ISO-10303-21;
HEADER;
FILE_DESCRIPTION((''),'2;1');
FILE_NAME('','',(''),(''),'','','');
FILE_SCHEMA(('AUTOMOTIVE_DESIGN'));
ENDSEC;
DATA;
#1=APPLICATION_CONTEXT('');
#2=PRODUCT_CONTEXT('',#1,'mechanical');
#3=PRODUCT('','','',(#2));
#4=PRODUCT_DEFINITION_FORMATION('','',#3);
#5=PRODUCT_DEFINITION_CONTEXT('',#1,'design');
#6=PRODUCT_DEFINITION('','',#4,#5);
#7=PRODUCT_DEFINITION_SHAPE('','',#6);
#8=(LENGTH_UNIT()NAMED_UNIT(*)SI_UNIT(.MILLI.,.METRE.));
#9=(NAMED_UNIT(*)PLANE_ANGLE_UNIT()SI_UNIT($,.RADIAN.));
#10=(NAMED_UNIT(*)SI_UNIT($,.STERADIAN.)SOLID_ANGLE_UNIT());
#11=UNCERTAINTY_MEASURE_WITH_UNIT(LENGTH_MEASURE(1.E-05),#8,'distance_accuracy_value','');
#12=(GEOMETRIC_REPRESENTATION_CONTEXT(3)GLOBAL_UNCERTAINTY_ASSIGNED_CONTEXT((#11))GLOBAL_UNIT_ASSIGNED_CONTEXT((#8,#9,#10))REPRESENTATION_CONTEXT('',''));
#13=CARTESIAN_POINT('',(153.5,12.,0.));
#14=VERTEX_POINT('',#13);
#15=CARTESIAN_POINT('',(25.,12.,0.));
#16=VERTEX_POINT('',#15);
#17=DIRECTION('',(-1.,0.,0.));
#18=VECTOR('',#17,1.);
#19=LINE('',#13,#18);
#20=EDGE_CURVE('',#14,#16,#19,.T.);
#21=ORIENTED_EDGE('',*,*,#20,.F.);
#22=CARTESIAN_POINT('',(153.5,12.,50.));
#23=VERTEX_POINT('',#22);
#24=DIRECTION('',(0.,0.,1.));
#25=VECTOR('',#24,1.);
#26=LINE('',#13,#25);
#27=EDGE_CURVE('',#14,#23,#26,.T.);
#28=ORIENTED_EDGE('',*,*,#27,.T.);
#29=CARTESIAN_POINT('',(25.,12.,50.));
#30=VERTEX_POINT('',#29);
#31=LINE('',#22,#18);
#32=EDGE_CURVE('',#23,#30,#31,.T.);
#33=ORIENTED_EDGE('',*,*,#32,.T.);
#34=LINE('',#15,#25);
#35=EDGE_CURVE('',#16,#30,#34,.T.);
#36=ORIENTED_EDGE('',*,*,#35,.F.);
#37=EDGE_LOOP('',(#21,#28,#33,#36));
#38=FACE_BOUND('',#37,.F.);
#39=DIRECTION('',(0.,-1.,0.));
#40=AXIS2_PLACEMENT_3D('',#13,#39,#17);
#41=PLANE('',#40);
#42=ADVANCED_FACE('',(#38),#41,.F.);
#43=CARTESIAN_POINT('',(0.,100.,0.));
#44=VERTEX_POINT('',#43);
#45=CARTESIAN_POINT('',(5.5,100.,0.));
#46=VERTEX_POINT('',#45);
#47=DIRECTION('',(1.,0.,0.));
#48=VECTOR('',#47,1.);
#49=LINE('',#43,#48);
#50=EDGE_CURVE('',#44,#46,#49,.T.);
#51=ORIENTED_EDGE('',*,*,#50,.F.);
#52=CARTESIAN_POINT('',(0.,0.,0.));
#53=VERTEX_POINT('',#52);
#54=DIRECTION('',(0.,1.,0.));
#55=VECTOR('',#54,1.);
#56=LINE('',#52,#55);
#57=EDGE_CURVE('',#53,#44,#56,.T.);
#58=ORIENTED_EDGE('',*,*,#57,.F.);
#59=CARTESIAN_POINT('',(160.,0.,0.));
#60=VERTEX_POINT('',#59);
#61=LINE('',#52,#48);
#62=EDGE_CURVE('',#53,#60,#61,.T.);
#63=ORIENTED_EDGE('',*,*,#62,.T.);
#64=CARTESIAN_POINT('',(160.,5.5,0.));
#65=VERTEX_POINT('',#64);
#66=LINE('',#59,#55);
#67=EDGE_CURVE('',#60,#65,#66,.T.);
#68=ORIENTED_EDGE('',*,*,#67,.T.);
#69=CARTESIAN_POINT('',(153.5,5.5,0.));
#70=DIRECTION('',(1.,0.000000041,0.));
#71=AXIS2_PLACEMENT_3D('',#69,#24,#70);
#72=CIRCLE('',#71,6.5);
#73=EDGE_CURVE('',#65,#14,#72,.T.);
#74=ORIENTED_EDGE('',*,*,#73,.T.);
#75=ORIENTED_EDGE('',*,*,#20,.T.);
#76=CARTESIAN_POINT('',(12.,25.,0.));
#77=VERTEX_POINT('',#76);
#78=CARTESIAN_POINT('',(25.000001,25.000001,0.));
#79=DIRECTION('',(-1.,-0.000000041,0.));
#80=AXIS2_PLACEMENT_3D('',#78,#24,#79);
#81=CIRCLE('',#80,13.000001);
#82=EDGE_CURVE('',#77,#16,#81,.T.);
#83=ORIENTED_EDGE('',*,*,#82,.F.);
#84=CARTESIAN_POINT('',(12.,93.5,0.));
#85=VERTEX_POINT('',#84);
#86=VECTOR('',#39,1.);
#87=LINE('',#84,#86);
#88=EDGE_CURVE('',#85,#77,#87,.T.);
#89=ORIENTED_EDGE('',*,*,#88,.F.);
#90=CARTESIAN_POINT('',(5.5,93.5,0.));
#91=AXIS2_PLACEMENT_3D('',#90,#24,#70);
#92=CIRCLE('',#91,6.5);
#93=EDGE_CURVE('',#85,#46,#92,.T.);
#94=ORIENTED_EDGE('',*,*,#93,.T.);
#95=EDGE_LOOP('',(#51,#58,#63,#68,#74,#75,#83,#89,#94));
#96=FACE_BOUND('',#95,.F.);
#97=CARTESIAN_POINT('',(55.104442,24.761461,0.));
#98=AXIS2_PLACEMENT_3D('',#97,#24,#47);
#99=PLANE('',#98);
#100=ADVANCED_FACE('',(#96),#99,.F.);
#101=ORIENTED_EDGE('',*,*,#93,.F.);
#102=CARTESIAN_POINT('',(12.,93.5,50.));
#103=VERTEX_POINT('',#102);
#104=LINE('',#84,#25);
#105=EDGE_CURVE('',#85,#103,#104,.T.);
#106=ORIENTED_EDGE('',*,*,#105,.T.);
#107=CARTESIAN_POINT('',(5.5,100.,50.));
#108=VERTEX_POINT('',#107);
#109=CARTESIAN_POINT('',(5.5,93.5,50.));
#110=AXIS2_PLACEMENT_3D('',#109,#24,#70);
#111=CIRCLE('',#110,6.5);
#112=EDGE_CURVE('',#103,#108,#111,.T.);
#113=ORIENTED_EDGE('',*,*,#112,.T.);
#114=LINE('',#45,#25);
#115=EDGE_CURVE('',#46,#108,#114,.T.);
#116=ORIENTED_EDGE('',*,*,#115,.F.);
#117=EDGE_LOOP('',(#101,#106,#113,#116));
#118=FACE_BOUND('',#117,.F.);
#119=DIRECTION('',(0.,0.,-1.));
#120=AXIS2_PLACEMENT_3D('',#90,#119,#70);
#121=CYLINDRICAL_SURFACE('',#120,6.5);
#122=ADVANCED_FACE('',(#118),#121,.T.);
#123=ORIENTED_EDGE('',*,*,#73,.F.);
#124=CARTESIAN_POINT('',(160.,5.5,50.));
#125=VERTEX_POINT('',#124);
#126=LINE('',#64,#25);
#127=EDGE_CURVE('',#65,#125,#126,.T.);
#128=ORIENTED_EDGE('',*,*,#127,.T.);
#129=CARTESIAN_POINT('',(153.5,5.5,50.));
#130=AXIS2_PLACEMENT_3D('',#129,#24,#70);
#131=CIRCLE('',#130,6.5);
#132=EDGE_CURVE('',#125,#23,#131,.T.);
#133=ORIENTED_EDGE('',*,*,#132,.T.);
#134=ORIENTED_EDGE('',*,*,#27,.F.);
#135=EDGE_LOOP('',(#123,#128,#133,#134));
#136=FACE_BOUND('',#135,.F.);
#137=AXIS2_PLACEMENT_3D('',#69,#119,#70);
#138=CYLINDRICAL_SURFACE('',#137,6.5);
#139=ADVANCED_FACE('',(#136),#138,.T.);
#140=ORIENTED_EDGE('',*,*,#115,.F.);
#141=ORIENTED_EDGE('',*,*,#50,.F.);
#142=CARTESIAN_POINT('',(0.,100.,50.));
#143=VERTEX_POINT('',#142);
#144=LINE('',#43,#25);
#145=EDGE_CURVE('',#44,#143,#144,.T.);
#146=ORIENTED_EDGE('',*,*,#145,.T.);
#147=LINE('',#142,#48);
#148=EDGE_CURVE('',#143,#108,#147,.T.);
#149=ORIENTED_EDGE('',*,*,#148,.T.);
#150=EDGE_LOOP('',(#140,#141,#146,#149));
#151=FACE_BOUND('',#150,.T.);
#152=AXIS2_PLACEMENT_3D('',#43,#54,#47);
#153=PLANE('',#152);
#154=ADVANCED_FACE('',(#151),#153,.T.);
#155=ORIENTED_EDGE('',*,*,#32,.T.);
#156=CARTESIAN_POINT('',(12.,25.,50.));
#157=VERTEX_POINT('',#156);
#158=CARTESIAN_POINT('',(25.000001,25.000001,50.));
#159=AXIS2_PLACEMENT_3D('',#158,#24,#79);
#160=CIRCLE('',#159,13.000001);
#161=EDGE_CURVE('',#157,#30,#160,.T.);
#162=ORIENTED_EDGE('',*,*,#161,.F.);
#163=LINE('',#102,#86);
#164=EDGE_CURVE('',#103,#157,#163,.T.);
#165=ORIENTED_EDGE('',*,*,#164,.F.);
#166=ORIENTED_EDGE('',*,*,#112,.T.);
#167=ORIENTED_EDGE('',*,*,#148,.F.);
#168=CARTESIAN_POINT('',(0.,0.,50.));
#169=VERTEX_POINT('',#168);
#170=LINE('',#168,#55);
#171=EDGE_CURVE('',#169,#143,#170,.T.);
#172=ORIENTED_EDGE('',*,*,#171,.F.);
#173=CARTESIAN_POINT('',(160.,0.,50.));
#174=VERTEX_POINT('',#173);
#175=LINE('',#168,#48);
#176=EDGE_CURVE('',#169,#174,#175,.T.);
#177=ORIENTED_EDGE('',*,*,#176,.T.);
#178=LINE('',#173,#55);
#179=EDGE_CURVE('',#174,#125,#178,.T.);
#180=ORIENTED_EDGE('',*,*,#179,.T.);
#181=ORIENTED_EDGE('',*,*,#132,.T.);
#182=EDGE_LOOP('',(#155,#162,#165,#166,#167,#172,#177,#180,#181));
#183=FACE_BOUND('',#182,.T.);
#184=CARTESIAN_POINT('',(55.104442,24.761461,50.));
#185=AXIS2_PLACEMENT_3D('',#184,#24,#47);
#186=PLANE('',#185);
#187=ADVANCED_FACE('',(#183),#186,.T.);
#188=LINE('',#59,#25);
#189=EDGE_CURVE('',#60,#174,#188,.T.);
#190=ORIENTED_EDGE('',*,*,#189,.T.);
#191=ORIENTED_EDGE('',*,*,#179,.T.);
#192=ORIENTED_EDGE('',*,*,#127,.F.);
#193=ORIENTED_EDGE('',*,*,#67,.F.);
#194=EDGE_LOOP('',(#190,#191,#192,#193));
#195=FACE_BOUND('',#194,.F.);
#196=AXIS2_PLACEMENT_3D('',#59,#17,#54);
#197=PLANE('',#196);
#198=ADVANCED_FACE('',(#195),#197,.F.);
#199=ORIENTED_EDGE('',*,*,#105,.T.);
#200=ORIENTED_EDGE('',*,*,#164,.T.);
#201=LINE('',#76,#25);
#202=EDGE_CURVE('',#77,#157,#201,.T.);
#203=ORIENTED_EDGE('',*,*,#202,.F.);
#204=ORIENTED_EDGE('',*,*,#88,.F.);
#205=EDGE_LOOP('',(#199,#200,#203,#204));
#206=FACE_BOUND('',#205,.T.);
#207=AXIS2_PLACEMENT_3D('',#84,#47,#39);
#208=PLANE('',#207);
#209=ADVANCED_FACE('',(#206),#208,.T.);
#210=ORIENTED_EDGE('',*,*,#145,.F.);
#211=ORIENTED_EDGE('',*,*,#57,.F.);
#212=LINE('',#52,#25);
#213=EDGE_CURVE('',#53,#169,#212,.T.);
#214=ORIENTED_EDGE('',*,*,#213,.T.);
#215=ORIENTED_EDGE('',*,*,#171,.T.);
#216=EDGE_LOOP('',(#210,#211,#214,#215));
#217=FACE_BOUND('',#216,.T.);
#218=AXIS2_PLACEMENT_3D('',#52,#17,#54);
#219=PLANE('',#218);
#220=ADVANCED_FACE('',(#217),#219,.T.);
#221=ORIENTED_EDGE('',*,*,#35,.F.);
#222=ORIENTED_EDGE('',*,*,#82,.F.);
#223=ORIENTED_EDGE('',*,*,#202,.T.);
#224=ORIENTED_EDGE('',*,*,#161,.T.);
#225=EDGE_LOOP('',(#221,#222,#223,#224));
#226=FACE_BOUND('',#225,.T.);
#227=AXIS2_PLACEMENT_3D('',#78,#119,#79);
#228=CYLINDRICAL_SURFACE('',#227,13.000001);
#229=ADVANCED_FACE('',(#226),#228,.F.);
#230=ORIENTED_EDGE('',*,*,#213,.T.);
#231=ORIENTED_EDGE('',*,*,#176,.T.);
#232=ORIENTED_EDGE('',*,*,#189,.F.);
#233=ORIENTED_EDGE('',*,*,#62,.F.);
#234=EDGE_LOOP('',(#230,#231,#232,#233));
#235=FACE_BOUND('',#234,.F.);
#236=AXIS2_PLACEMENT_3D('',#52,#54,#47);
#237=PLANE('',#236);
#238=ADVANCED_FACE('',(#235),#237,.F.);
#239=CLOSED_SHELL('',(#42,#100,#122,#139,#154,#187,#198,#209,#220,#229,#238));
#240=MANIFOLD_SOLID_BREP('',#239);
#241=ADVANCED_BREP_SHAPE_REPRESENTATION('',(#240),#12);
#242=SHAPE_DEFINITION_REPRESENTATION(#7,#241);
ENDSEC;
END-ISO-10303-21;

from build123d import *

# Parameters (mm, degrees)
EXTRUDE_DEPTH = 50


with BuildPart() as part:
    # Sketch → Extrude (new body)
    with BuildSketch(Plane.XY):
        with BuildLine():
            Line((0, 0), (160, 0))
            Line((160, 0), (160, 5.5))
            ThreePointArc((160, 5.5), (158.096194, 10.096194), (153.5, 12))
            Line((153.5, 12), (25, 12))
            ThreePointArc((12, 25), (15.807612, 15.807612), (25, 12))
            Line((12, 93.5), (12, 25))
            ThreePointArc((12, 93.5), (10.096194, 98.096194), (5.5, 100))
            Line((0, 100), (5.5, 100))
            Line((0, 0), (0, 100))
        make_face()
    extrude(amount=EXTRUDE_DEPTH)


solid = part.part
